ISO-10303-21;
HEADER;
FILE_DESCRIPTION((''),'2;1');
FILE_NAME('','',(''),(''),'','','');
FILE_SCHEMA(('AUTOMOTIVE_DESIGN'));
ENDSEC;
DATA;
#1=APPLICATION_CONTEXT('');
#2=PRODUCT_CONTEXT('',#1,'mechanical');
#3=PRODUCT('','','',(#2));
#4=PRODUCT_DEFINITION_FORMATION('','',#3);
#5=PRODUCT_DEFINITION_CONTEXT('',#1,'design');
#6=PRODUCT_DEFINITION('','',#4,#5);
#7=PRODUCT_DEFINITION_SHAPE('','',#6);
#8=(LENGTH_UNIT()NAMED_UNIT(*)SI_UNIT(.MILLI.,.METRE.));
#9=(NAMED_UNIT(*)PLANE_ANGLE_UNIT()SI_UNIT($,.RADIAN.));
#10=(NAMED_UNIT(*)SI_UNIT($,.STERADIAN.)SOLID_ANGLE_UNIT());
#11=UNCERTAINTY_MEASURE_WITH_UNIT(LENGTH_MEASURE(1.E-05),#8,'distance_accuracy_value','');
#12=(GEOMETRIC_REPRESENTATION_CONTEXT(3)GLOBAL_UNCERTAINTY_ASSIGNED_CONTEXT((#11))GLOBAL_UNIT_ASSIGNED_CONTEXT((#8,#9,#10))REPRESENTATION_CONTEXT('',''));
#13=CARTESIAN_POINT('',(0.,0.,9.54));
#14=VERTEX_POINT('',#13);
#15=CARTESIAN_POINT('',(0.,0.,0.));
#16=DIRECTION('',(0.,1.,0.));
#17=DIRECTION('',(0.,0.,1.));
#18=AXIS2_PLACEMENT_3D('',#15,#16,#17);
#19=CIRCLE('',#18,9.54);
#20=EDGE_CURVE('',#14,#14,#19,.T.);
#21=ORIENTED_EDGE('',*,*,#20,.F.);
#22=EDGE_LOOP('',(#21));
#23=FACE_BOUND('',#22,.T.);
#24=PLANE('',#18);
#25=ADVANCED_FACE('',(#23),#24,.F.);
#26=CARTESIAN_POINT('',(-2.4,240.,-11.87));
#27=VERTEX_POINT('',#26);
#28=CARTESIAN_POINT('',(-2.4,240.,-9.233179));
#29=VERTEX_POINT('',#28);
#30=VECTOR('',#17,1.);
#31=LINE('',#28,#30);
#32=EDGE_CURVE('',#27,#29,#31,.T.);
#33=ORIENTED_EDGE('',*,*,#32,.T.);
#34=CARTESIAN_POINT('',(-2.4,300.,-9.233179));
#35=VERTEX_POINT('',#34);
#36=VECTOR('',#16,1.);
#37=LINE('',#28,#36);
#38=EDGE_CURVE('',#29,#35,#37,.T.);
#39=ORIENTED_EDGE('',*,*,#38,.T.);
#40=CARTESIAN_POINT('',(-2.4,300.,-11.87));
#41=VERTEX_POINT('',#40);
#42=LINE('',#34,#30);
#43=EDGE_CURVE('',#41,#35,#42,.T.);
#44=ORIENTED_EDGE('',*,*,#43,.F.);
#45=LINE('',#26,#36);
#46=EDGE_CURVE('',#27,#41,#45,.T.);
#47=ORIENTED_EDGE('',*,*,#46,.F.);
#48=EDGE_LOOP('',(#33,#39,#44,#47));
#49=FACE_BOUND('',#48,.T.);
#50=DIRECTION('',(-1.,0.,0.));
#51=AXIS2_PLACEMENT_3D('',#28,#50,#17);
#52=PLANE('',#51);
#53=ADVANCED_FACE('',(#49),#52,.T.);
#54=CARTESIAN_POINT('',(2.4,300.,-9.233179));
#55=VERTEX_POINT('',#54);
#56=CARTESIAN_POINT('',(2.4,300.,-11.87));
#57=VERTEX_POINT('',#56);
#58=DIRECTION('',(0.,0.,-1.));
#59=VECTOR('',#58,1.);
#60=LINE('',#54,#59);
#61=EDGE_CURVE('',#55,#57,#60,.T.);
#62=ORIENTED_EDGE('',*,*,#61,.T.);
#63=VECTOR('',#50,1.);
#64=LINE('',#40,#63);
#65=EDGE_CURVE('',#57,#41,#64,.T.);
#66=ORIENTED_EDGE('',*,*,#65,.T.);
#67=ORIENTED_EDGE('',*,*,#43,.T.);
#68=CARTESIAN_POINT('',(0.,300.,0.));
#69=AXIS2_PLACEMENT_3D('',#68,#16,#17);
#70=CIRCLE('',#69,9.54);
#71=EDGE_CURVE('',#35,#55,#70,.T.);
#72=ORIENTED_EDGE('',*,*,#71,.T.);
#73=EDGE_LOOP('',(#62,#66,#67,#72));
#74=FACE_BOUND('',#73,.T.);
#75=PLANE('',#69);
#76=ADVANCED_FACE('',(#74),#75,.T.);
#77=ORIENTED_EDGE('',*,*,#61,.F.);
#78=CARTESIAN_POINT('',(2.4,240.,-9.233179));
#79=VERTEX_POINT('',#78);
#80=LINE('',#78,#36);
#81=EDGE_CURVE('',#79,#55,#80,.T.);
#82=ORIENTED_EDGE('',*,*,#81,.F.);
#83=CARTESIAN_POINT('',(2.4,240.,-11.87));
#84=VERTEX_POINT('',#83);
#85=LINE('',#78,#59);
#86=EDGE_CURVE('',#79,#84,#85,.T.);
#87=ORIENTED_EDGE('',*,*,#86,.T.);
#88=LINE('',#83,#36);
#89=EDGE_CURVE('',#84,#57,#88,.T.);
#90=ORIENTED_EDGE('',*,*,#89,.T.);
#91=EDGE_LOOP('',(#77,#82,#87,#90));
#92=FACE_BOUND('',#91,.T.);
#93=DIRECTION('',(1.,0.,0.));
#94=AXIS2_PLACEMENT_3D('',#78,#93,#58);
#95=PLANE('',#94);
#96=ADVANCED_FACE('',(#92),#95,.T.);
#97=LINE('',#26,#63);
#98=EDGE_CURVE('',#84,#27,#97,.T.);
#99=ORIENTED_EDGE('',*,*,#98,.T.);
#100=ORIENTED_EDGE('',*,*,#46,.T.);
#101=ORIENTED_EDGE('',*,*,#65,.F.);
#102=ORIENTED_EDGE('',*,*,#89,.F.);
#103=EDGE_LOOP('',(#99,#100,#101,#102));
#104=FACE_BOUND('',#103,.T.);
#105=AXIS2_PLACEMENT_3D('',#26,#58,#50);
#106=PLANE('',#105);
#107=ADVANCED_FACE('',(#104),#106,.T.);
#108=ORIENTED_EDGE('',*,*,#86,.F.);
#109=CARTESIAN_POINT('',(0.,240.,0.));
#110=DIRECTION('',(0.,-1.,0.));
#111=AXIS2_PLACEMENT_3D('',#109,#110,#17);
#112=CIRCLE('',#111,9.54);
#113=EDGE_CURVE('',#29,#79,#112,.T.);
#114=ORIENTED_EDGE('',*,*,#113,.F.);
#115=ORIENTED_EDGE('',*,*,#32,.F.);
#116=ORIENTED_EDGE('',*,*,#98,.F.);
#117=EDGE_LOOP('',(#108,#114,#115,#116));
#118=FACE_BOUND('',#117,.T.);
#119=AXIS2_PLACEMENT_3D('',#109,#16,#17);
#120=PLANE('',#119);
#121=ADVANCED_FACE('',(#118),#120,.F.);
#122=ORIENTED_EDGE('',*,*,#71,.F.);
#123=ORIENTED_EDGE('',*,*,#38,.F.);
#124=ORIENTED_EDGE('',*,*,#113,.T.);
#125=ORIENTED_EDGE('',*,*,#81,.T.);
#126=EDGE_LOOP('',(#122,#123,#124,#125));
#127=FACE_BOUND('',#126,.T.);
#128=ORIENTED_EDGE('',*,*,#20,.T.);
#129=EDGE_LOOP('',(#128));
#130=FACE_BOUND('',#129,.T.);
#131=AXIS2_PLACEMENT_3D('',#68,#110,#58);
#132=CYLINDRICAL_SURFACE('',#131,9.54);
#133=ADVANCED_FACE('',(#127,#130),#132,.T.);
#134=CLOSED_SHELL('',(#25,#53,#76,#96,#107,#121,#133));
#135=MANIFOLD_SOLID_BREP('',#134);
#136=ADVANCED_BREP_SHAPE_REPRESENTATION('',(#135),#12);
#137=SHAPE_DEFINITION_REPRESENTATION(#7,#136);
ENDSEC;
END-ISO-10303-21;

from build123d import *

# Parameters (mm, degrees)
SKETCH1_R           = 9.54
BOSS_EXTRUDE1_DEPTH = 300
BOSS_EXTRUDE2_START = -60
BOSS_EXTRUDE2_DEPTH = 60


with BuildPart() as part:
    # Sketch1 → Boss-Extrude1 (new body)
    with BuildSketch(Plane(origin=(0, 0, 0), x_dir=(1, 0, 0), z_dir=(0, 1, 0))):
        with Locations(Location((0, 0, 0), (0, 0, 270))):
            Circle(SKETCH1_R)
    extrude(amount=BOSS_EXTRUDE1_DEPTH)

    # Sketch2 → Boss-Extrude2 (add)
    with BuildSketch(Plane(origin=(0, 300, 0), x_dir=(1, 0, 0), z_dir=(0, 1, 0)).offset(BOSS_EXTRUDE2_START)):
        with BuildLine():
            Line((-2.4, 9.233179301), (-2.4, 11.87))
            Line((-2.4, 11.87), (2.4, 11.87))
            Line((2.4, 11.87), (2.4, 9.233179301))
            ThreePointArc((2.4, 9.233179301), (0, 9.54), (-2.4, 9.233179301))
        make_face()
    extrude(amount=BOSS_EXTRUDE2_DEPTH)


solid = part.part
